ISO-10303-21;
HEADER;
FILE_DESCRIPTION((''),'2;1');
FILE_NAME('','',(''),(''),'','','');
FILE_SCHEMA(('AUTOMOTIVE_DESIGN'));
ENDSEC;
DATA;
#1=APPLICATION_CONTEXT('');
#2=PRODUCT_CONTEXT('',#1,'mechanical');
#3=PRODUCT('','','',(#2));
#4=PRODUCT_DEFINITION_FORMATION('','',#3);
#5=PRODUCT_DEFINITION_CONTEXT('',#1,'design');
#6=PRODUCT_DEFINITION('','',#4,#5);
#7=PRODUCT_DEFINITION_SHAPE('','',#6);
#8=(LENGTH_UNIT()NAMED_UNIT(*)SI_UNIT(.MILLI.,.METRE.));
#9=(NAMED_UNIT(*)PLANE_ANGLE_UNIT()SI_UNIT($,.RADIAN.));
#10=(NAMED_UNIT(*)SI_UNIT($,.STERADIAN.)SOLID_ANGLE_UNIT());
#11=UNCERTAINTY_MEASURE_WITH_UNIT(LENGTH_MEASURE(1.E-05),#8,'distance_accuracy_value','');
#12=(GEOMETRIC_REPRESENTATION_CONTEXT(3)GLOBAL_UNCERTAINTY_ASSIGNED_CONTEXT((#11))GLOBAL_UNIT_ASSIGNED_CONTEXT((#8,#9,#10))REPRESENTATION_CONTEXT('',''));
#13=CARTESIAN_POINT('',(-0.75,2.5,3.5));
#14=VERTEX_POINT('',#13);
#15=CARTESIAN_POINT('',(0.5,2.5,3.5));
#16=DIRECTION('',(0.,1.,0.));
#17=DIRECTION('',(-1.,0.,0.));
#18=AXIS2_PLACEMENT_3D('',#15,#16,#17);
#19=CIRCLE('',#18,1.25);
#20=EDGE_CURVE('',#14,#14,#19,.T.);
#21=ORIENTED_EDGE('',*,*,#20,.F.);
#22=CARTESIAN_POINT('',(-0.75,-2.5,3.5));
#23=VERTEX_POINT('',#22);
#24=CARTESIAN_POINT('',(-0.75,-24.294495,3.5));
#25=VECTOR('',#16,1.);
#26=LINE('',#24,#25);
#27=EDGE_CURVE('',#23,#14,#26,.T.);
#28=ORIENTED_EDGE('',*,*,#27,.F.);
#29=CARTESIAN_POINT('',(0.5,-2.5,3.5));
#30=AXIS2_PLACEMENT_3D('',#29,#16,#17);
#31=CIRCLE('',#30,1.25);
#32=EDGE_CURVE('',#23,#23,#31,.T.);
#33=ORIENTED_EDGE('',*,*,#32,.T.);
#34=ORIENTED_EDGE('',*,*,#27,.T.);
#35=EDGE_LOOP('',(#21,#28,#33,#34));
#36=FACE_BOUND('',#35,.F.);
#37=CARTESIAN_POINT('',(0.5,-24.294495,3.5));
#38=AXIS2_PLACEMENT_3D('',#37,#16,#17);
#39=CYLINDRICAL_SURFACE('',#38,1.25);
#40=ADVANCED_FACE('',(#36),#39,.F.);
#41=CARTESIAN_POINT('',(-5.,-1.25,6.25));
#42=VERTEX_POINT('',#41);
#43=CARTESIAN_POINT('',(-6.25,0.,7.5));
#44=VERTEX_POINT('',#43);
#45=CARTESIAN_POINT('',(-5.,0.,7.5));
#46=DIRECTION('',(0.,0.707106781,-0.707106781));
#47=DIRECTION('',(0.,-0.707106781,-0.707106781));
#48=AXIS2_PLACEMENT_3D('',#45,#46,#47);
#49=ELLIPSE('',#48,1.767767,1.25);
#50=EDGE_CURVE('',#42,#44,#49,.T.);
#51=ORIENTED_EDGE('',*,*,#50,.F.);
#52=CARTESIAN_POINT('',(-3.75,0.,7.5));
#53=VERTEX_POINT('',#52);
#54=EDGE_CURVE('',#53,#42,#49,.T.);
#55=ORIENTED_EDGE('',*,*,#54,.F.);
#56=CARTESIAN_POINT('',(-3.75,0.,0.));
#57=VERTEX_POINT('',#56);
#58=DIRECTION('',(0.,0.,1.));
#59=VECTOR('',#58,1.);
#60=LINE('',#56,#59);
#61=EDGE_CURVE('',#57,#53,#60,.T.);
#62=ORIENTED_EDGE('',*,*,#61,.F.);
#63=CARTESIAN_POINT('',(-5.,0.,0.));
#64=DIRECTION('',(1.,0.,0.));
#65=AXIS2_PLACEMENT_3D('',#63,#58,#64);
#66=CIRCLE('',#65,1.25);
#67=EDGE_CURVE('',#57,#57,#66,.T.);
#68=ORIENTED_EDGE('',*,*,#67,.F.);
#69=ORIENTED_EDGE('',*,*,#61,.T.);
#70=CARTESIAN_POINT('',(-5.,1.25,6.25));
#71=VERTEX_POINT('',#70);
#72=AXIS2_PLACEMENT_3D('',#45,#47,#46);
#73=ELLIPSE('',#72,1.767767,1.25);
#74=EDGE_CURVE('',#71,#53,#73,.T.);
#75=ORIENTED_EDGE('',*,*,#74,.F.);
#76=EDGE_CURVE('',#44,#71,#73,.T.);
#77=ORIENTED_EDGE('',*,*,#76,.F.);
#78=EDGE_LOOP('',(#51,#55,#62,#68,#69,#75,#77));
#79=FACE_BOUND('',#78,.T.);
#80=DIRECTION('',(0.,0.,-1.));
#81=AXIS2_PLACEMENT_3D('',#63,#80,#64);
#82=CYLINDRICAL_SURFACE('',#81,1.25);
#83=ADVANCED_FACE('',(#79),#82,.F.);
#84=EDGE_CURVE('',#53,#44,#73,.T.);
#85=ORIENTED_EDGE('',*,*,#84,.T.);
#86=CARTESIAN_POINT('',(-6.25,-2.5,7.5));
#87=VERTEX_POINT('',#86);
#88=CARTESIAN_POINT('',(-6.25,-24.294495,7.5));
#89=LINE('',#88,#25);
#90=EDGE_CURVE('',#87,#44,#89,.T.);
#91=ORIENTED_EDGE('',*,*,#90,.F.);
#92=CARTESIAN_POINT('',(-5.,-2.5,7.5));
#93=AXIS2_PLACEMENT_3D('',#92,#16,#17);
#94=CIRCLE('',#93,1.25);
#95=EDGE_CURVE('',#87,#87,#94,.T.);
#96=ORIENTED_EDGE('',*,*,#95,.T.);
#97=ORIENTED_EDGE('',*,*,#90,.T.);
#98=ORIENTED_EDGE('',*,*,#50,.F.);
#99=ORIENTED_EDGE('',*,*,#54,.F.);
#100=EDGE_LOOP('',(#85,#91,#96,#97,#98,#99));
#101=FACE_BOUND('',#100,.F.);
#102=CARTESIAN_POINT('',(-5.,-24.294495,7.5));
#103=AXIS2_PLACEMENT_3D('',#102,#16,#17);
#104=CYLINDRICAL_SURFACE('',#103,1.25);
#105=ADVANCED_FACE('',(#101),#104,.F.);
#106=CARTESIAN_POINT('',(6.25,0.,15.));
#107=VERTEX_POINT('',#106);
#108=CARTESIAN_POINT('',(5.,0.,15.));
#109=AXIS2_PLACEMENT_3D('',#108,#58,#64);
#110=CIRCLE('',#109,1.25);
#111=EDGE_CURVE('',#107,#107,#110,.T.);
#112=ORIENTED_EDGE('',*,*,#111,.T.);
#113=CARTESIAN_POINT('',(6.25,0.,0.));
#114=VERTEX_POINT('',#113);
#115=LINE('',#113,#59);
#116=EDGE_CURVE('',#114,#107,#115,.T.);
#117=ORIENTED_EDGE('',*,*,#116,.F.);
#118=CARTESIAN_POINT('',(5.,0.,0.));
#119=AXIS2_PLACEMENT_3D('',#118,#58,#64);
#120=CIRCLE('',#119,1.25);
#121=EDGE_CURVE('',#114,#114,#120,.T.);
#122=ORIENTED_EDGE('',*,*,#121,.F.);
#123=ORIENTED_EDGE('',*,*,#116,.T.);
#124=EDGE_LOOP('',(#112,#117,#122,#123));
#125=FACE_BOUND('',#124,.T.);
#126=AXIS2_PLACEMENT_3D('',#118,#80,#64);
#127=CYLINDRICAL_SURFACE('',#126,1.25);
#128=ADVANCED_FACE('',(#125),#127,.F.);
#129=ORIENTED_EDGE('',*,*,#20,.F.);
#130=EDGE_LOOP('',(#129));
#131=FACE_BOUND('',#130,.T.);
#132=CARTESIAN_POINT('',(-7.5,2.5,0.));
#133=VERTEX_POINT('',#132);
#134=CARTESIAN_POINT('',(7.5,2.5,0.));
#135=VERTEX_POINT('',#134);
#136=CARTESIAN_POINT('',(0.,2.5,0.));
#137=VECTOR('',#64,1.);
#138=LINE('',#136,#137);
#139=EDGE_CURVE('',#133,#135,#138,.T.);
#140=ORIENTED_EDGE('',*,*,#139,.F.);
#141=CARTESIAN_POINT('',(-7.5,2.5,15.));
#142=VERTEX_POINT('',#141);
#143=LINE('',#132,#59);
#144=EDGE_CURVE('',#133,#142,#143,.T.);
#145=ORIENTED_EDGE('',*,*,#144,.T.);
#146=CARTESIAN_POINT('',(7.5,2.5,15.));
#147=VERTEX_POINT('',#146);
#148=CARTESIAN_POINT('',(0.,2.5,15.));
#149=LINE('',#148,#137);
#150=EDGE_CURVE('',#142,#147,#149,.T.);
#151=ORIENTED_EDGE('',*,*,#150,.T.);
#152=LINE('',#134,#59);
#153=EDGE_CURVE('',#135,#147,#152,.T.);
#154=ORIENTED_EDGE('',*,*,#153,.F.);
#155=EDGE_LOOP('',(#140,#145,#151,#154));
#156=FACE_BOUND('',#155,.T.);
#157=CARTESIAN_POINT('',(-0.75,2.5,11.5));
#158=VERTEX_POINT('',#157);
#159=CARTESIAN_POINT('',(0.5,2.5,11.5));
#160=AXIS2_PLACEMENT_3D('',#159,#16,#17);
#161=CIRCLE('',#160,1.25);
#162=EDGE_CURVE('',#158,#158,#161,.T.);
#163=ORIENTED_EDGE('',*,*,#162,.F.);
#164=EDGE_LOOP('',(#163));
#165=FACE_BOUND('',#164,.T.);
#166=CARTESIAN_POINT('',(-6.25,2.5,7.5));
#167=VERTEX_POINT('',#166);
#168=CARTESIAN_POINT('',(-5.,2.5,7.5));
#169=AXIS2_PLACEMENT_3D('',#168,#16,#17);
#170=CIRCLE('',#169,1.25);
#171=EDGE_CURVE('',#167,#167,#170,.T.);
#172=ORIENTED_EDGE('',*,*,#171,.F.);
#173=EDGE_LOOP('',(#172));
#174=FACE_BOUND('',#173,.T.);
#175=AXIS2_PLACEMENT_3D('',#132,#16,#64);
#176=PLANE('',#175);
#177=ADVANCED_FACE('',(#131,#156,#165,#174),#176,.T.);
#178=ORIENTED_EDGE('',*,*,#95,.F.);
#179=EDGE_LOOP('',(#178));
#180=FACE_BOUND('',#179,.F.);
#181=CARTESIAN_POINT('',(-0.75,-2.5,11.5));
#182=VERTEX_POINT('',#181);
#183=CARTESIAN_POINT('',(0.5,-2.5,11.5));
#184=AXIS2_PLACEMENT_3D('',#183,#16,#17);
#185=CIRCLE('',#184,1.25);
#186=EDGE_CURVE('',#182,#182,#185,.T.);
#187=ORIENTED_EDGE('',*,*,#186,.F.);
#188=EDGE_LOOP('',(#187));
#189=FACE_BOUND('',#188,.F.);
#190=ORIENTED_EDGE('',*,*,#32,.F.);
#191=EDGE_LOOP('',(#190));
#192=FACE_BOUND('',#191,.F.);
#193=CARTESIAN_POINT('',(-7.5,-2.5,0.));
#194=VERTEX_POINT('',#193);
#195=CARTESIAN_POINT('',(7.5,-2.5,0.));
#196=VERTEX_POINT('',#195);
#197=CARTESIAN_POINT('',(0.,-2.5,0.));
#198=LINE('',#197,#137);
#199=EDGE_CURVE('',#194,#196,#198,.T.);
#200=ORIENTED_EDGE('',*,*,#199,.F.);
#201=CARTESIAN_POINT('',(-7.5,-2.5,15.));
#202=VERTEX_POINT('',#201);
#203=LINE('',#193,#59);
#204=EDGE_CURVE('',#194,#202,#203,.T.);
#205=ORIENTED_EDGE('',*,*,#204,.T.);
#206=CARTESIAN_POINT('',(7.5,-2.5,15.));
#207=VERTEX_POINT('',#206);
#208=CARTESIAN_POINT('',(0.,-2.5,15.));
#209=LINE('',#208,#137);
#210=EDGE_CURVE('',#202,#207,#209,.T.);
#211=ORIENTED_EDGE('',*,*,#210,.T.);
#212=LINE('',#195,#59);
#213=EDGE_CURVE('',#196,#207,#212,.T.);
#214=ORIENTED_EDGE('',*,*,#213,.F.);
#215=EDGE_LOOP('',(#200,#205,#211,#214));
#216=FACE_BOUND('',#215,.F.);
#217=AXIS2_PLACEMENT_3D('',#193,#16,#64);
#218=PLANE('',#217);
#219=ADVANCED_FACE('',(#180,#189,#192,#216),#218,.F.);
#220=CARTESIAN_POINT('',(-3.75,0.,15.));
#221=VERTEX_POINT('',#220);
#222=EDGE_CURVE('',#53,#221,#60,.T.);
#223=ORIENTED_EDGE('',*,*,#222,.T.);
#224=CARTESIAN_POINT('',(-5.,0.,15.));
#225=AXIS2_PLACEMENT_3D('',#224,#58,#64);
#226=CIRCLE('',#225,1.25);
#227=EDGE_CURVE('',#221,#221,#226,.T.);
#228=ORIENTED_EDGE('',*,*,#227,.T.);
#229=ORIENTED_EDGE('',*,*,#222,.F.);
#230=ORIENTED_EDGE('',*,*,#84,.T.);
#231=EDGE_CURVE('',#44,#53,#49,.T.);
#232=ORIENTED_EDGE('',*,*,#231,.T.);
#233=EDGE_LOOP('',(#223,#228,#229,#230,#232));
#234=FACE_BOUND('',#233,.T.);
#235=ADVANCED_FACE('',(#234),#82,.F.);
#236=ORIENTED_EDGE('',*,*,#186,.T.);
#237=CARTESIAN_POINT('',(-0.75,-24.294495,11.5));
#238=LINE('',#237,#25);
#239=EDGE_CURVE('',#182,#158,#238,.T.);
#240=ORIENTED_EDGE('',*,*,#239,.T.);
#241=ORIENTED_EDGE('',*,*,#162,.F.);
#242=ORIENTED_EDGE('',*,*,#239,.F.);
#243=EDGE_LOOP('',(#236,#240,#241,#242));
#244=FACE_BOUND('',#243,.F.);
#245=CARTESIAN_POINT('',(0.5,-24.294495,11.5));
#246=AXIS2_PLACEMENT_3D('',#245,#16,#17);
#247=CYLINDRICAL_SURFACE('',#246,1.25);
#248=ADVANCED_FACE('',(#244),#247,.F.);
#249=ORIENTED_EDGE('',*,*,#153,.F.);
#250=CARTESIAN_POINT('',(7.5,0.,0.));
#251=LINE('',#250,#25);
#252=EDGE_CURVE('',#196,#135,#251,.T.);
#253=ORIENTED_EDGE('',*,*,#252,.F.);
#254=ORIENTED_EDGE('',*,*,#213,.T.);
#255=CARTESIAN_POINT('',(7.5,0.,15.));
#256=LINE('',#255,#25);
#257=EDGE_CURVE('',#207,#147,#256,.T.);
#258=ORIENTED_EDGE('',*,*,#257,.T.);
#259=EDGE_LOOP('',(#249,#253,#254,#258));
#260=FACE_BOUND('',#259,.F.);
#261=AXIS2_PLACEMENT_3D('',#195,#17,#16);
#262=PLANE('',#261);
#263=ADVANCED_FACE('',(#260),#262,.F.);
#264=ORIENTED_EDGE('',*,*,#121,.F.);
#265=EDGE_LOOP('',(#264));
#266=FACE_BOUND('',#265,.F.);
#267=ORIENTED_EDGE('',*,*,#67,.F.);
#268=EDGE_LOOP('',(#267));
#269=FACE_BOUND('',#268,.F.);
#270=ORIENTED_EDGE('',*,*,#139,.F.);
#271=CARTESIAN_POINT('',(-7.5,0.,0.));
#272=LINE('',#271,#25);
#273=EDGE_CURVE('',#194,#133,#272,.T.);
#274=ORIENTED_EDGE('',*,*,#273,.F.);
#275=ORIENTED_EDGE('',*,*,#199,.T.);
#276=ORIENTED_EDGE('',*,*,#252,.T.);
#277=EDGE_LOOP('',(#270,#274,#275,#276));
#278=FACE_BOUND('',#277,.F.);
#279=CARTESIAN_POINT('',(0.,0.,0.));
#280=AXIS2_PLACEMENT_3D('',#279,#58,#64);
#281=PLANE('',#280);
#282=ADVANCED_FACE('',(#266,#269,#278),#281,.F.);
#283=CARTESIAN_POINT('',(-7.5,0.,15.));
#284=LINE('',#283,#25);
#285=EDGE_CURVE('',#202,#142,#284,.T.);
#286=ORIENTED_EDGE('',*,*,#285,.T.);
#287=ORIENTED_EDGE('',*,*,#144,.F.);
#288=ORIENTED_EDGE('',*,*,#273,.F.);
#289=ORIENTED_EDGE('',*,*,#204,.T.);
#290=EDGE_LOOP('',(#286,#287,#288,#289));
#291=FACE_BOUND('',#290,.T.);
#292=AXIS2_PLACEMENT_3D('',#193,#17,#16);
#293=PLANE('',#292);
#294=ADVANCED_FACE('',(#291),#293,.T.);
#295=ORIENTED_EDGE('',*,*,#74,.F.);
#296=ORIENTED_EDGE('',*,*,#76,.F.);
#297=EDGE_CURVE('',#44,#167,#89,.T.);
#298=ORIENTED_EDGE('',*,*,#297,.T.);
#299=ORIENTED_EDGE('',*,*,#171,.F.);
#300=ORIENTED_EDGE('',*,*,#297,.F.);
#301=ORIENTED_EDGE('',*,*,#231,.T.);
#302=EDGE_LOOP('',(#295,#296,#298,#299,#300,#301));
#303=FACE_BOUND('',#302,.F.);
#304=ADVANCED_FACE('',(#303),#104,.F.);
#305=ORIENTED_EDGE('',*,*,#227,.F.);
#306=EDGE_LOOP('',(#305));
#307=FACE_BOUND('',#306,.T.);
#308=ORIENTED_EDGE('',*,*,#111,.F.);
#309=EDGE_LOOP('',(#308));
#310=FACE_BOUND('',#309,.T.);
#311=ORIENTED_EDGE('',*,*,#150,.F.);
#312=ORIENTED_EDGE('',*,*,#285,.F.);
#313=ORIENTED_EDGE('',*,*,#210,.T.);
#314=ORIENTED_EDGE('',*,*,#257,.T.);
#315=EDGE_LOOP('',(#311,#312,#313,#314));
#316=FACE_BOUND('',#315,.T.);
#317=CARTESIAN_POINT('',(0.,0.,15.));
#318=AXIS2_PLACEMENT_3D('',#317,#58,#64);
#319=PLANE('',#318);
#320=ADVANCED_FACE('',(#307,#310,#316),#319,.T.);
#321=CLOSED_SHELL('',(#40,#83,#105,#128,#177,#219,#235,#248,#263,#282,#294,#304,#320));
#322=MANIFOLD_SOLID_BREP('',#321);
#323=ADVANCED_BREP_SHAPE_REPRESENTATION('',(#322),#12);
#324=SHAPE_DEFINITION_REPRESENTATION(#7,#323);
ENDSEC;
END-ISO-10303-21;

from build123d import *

# Parameters (mm, degrees)
F0_W     = 15
F0_H     = 5
F0_R     = 1.25
F1_DEPTH = 15
F3_D     = 2.5


with BuildPart() as f1:
    # F0 (on Top) → F1 (new body)
    with BuildSketch(Plane.XY):
        Rectangle(F0_W, F0_H)
        with Locations((-5, 0)):
            Circle(F0_R, mode=Mode.SUBTRACT)
        with Locations((5, 0)):
            Circle(F0_R, mode=Mode.SUBTRACT)
    extrude(amount=F1_DEPTH)

    # F3 (through all)
    with Locations(Plane.XZ.offset(2.5)):
        with Locations((0.5, 11.5), (-5, 7.5), (0.5, 3.5)):
            Hole(F3_D / 2)


solid = f1.part
